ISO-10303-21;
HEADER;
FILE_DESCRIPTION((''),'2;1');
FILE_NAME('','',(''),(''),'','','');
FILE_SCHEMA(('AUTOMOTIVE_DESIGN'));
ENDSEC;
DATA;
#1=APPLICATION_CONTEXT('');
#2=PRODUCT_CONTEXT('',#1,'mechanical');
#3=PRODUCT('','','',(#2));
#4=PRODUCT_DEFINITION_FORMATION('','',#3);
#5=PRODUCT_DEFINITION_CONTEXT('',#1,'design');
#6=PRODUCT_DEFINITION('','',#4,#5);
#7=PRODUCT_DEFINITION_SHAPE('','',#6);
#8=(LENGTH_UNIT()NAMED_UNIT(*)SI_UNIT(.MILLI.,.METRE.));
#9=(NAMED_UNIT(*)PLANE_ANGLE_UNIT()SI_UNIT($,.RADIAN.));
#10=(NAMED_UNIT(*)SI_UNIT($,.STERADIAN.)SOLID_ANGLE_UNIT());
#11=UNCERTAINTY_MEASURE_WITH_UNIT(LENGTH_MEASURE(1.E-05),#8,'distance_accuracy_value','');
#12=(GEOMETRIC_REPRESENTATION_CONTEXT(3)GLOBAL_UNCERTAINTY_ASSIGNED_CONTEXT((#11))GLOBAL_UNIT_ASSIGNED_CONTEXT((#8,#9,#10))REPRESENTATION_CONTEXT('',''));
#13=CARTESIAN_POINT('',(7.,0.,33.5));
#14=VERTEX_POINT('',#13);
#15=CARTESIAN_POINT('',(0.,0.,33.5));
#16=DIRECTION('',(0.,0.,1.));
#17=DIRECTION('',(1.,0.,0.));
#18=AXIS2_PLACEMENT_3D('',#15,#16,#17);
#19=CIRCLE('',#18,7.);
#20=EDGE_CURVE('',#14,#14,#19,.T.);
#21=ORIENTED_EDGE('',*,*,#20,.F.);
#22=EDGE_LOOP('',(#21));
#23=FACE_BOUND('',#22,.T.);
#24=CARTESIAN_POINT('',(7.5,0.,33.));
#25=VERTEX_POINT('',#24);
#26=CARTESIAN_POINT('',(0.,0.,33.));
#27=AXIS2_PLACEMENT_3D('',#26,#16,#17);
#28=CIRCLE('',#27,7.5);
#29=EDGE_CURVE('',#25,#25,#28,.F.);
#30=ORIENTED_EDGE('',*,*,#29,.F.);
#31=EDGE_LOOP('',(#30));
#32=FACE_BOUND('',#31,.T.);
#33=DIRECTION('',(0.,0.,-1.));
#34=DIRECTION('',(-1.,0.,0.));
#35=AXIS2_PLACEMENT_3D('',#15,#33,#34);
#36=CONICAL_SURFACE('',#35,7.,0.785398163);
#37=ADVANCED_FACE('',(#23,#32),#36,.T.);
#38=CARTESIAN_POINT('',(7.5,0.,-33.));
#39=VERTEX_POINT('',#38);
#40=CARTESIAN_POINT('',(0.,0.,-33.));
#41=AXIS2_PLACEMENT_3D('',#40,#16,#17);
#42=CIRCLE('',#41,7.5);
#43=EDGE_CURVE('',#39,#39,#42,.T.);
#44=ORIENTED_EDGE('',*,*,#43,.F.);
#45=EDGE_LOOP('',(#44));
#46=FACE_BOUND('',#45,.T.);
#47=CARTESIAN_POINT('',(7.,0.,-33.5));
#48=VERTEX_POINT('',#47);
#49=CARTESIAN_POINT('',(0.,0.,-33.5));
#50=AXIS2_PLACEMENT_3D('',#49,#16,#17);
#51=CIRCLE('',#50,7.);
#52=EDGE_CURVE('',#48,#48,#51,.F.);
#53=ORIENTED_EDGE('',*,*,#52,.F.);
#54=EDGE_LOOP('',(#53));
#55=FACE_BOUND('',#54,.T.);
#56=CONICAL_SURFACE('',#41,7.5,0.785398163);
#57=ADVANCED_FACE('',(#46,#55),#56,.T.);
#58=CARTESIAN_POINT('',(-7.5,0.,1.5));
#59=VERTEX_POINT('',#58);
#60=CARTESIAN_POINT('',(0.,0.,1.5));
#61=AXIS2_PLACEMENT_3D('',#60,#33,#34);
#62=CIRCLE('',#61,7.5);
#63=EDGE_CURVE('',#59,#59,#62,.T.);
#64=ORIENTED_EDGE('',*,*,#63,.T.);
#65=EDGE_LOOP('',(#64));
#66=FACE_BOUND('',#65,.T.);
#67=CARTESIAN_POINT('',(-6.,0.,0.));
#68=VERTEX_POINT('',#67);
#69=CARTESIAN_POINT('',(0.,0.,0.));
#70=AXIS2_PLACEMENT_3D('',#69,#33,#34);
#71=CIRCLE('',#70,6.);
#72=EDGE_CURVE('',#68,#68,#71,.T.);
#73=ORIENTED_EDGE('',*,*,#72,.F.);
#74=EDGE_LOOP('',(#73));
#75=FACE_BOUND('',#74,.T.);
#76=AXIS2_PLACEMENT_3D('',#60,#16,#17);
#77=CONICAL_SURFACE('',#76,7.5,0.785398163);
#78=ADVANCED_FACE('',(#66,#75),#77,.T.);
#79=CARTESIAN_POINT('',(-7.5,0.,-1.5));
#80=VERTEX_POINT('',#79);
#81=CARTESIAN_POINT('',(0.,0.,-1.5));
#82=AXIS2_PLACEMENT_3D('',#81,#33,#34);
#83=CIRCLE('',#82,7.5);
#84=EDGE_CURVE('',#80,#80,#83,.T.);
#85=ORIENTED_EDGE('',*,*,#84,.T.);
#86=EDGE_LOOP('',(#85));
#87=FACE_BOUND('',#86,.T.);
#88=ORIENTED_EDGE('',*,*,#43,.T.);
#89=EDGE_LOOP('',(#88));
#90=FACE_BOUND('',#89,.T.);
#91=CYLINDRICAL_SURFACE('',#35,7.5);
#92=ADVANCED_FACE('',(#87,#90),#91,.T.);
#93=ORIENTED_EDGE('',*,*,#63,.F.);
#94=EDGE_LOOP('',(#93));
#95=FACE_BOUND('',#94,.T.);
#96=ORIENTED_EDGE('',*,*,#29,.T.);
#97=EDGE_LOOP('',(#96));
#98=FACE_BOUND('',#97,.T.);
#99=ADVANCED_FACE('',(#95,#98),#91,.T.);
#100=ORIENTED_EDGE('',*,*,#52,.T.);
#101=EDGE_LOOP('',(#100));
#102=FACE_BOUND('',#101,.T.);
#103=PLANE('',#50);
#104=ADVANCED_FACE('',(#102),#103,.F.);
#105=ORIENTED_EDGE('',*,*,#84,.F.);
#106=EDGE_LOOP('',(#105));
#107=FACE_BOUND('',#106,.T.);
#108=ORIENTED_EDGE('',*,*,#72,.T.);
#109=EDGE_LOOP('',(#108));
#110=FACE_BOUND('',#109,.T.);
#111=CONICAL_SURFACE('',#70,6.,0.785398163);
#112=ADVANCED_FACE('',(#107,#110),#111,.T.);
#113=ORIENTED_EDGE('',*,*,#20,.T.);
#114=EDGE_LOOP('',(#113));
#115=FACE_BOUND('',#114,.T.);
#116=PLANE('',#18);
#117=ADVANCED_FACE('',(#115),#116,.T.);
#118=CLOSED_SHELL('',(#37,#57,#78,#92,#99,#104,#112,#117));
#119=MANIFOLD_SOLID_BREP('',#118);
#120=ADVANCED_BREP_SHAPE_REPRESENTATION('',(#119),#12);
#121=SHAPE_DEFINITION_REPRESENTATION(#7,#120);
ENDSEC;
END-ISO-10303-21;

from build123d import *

# Parameters (mm, degrees)
DIA_CYLINDRE_R = 7.5
CYLINDRE_DEPTH = 33.5
CHANFREIN_SIZE = 0.5


with BuildPart() as part:
    # Dia cylindre → Cylindre (new body, symmetric)
    with BuildSketch(Plane.XY):
        Circle(DIA_CYLINDRE_R)
    extrude(amount=CYLINDRE_DEPTH, both=True)

    # Chanfrein
    chanfrein_edges = [part.edges().sort_by_distance(p)[0] for p in [
        (-7.5, 0, -33.5),
        (-7.5, 0, 33.5),
    ]]
    chamfer(chanfrein_edges, length=CHANFREIN_SIZE)

    # Profil rainure → Rainure (revolve, cut)
    with BuildSketch(Plane(origin=(0, 0, 0), x_dir=(1, 0, 0), z_dir=(0, 1, 0))):
        Polygon((-7.5, 1.5), (-7.5, -1.5), (-6, 0), align=None)
    revolve(axis=Axis((0, 0, -36.430134701), (0, 0, 1)), mode=Mode.SUBTRACT)


solid = part.part
